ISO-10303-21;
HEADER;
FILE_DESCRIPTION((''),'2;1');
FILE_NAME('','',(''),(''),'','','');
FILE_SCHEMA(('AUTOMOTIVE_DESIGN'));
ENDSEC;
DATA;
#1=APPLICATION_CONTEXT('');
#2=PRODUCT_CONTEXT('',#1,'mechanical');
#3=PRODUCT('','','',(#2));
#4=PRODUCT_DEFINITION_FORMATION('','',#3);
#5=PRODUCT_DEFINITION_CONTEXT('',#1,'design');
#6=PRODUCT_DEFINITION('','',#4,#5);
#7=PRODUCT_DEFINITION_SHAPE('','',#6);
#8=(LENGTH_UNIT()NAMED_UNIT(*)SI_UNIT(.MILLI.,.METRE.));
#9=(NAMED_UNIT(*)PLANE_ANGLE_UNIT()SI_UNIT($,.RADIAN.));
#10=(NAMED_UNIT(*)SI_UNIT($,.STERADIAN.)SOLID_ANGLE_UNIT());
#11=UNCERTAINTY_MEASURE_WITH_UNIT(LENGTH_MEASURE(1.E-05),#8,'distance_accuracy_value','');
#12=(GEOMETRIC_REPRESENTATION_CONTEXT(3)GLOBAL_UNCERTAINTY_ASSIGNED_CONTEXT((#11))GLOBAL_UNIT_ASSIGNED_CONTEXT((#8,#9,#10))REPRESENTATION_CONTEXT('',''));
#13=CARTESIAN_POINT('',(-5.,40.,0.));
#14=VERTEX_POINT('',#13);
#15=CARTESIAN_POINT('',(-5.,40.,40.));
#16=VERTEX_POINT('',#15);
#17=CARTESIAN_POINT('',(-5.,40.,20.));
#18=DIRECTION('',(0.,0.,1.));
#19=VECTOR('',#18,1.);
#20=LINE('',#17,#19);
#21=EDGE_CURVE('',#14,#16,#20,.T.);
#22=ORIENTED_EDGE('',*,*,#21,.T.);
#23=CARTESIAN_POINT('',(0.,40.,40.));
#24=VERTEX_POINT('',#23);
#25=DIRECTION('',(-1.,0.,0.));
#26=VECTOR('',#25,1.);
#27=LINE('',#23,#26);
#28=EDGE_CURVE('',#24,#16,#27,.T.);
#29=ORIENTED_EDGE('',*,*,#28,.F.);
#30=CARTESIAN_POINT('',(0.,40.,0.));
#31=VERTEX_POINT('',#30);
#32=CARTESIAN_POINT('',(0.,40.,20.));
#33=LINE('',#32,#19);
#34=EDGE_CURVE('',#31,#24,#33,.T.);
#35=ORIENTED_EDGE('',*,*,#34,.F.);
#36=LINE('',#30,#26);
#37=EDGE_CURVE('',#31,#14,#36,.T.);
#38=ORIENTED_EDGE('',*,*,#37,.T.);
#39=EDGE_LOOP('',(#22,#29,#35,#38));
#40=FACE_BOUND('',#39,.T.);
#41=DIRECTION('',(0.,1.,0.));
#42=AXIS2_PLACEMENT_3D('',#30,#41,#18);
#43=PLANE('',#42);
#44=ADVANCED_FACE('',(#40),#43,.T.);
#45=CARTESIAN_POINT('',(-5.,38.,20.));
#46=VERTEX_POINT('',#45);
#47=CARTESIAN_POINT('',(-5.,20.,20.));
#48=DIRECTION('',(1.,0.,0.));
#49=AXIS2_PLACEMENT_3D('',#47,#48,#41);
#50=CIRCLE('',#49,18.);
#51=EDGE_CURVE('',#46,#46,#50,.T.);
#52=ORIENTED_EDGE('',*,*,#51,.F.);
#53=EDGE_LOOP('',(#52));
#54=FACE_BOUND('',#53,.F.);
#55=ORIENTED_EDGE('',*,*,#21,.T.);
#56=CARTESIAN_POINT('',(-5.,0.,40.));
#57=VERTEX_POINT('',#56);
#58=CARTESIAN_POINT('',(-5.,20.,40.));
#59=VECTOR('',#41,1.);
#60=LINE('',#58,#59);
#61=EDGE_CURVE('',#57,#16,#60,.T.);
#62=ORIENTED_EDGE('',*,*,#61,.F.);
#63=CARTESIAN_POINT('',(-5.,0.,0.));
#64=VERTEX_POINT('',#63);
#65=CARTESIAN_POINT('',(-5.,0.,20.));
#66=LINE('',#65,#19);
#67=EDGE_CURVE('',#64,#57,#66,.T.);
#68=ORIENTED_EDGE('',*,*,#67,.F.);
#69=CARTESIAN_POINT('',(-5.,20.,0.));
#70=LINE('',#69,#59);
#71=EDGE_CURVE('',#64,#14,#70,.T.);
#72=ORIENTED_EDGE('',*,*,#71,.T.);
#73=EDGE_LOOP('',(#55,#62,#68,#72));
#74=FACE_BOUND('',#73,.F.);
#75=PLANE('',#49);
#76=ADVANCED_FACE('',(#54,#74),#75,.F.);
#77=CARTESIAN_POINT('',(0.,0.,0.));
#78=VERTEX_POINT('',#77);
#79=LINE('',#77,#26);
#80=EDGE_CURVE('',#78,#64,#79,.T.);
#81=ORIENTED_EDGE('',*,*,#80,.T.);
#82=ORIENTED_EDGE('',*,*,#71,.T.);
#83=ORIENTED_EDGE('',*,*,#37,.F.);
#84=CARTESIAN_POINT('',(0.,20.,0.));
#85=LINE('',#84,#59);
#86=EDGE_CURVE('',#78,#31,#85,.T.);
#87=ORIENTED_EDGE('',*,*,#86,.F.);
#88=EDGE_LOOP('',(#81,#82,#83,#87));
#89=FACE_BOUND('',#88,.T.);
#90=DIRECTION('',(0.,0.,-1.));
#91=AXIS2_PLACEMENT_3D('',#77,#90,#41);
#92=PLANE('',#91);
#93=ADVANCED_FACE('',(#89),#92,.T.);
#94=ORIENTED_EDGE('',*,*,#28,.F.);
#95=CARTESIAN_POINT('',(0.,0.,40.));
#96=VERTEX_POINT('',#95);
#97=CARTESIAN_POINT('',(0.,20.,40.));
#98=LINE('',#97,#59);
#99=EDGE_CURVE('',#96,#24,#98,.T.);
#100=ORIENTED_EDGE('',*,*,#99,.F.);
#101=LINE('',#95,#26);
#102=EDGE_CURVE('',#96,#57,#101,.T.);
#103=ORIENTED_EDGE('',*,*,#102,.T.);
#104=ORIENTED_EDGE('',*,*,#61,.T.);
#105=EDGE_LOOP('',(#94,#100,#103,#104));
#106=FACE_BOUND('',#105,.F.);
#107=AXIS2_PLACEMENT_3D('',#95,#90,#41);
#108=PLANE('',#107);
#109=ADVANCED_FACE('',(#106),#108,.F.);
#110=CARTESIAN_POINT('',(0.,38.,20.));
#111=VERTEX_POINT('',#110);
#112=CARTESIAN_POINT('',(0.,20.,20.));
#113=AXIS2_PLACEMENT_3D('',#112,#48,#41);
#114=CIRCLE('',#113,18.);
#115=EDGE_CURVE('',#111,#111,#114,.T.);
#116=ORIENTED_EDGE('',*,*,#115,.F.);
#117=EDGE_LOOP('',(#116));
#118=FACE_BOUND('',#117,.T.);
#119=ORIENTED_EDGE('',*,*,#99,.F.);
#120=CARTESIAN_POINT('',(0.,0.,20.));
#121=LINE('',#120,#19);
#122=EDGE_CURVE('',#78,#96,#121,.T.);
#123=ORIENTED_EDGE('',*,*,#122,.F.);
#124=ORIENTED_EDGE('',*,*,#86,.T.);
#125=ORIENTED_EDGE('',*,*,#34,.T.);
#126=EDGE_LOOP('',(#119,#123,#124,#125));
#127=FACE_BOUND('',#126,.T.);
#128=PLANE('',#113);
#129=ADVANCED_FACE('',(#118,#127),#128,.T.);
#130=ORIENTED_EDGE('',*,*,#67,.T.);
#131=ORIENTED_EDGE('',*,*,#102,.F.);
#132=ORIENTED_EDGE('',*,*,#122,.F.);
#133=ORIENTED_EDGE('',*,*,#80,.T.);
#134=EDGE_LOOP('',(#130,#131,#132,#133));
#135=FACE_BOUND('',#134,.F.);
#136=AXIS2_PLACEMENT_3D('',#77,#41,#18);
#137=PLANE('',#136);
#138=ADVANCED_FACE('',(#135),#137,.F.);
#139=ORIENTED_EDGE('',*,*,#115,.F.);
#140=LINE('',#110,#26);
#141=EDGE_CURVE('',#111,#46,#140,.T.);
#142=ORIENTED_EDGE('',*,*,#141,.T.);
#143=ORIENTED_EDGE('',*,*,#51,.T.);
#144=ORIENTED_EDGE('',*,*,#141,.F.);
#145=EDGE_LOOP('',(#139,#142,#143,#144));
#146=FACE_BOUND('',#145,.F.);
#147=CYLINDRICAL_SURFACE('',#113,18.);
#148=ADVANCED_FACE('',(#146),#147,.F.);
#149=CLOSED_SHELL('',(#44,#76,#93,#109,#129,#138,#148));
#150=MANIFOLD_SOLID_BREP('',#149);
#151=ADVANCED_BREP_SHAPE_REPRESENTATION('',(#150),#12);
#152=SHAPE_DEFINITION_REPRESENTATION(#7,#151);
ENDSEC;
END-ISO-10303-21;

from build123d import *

# Parameters (mm, degrees)
F0_W     = 40
F0_H     = 40
F1_DEPTH = 5
F2_R     = 18
F3_DEPTH = 5


with BuildPart() as f1:
    # F0 (on Right) → F1 (new body)
    with BuildSketch(Plane.YZ):
        with Locations((20, 20)):
            Rectangle(F0_W, F0_H)
    extrude(amount=-F1_DEPTH)

    # F2 (on face) → F3 (cut, through all)
    with BuildSketch(Plane.YZ):
        with Locations((20, 20)):
            Circle(F2_R)
    extrude(amount=-F3_DEPTH, mode=Mode.SUBTRACT)


solid = f1.part
